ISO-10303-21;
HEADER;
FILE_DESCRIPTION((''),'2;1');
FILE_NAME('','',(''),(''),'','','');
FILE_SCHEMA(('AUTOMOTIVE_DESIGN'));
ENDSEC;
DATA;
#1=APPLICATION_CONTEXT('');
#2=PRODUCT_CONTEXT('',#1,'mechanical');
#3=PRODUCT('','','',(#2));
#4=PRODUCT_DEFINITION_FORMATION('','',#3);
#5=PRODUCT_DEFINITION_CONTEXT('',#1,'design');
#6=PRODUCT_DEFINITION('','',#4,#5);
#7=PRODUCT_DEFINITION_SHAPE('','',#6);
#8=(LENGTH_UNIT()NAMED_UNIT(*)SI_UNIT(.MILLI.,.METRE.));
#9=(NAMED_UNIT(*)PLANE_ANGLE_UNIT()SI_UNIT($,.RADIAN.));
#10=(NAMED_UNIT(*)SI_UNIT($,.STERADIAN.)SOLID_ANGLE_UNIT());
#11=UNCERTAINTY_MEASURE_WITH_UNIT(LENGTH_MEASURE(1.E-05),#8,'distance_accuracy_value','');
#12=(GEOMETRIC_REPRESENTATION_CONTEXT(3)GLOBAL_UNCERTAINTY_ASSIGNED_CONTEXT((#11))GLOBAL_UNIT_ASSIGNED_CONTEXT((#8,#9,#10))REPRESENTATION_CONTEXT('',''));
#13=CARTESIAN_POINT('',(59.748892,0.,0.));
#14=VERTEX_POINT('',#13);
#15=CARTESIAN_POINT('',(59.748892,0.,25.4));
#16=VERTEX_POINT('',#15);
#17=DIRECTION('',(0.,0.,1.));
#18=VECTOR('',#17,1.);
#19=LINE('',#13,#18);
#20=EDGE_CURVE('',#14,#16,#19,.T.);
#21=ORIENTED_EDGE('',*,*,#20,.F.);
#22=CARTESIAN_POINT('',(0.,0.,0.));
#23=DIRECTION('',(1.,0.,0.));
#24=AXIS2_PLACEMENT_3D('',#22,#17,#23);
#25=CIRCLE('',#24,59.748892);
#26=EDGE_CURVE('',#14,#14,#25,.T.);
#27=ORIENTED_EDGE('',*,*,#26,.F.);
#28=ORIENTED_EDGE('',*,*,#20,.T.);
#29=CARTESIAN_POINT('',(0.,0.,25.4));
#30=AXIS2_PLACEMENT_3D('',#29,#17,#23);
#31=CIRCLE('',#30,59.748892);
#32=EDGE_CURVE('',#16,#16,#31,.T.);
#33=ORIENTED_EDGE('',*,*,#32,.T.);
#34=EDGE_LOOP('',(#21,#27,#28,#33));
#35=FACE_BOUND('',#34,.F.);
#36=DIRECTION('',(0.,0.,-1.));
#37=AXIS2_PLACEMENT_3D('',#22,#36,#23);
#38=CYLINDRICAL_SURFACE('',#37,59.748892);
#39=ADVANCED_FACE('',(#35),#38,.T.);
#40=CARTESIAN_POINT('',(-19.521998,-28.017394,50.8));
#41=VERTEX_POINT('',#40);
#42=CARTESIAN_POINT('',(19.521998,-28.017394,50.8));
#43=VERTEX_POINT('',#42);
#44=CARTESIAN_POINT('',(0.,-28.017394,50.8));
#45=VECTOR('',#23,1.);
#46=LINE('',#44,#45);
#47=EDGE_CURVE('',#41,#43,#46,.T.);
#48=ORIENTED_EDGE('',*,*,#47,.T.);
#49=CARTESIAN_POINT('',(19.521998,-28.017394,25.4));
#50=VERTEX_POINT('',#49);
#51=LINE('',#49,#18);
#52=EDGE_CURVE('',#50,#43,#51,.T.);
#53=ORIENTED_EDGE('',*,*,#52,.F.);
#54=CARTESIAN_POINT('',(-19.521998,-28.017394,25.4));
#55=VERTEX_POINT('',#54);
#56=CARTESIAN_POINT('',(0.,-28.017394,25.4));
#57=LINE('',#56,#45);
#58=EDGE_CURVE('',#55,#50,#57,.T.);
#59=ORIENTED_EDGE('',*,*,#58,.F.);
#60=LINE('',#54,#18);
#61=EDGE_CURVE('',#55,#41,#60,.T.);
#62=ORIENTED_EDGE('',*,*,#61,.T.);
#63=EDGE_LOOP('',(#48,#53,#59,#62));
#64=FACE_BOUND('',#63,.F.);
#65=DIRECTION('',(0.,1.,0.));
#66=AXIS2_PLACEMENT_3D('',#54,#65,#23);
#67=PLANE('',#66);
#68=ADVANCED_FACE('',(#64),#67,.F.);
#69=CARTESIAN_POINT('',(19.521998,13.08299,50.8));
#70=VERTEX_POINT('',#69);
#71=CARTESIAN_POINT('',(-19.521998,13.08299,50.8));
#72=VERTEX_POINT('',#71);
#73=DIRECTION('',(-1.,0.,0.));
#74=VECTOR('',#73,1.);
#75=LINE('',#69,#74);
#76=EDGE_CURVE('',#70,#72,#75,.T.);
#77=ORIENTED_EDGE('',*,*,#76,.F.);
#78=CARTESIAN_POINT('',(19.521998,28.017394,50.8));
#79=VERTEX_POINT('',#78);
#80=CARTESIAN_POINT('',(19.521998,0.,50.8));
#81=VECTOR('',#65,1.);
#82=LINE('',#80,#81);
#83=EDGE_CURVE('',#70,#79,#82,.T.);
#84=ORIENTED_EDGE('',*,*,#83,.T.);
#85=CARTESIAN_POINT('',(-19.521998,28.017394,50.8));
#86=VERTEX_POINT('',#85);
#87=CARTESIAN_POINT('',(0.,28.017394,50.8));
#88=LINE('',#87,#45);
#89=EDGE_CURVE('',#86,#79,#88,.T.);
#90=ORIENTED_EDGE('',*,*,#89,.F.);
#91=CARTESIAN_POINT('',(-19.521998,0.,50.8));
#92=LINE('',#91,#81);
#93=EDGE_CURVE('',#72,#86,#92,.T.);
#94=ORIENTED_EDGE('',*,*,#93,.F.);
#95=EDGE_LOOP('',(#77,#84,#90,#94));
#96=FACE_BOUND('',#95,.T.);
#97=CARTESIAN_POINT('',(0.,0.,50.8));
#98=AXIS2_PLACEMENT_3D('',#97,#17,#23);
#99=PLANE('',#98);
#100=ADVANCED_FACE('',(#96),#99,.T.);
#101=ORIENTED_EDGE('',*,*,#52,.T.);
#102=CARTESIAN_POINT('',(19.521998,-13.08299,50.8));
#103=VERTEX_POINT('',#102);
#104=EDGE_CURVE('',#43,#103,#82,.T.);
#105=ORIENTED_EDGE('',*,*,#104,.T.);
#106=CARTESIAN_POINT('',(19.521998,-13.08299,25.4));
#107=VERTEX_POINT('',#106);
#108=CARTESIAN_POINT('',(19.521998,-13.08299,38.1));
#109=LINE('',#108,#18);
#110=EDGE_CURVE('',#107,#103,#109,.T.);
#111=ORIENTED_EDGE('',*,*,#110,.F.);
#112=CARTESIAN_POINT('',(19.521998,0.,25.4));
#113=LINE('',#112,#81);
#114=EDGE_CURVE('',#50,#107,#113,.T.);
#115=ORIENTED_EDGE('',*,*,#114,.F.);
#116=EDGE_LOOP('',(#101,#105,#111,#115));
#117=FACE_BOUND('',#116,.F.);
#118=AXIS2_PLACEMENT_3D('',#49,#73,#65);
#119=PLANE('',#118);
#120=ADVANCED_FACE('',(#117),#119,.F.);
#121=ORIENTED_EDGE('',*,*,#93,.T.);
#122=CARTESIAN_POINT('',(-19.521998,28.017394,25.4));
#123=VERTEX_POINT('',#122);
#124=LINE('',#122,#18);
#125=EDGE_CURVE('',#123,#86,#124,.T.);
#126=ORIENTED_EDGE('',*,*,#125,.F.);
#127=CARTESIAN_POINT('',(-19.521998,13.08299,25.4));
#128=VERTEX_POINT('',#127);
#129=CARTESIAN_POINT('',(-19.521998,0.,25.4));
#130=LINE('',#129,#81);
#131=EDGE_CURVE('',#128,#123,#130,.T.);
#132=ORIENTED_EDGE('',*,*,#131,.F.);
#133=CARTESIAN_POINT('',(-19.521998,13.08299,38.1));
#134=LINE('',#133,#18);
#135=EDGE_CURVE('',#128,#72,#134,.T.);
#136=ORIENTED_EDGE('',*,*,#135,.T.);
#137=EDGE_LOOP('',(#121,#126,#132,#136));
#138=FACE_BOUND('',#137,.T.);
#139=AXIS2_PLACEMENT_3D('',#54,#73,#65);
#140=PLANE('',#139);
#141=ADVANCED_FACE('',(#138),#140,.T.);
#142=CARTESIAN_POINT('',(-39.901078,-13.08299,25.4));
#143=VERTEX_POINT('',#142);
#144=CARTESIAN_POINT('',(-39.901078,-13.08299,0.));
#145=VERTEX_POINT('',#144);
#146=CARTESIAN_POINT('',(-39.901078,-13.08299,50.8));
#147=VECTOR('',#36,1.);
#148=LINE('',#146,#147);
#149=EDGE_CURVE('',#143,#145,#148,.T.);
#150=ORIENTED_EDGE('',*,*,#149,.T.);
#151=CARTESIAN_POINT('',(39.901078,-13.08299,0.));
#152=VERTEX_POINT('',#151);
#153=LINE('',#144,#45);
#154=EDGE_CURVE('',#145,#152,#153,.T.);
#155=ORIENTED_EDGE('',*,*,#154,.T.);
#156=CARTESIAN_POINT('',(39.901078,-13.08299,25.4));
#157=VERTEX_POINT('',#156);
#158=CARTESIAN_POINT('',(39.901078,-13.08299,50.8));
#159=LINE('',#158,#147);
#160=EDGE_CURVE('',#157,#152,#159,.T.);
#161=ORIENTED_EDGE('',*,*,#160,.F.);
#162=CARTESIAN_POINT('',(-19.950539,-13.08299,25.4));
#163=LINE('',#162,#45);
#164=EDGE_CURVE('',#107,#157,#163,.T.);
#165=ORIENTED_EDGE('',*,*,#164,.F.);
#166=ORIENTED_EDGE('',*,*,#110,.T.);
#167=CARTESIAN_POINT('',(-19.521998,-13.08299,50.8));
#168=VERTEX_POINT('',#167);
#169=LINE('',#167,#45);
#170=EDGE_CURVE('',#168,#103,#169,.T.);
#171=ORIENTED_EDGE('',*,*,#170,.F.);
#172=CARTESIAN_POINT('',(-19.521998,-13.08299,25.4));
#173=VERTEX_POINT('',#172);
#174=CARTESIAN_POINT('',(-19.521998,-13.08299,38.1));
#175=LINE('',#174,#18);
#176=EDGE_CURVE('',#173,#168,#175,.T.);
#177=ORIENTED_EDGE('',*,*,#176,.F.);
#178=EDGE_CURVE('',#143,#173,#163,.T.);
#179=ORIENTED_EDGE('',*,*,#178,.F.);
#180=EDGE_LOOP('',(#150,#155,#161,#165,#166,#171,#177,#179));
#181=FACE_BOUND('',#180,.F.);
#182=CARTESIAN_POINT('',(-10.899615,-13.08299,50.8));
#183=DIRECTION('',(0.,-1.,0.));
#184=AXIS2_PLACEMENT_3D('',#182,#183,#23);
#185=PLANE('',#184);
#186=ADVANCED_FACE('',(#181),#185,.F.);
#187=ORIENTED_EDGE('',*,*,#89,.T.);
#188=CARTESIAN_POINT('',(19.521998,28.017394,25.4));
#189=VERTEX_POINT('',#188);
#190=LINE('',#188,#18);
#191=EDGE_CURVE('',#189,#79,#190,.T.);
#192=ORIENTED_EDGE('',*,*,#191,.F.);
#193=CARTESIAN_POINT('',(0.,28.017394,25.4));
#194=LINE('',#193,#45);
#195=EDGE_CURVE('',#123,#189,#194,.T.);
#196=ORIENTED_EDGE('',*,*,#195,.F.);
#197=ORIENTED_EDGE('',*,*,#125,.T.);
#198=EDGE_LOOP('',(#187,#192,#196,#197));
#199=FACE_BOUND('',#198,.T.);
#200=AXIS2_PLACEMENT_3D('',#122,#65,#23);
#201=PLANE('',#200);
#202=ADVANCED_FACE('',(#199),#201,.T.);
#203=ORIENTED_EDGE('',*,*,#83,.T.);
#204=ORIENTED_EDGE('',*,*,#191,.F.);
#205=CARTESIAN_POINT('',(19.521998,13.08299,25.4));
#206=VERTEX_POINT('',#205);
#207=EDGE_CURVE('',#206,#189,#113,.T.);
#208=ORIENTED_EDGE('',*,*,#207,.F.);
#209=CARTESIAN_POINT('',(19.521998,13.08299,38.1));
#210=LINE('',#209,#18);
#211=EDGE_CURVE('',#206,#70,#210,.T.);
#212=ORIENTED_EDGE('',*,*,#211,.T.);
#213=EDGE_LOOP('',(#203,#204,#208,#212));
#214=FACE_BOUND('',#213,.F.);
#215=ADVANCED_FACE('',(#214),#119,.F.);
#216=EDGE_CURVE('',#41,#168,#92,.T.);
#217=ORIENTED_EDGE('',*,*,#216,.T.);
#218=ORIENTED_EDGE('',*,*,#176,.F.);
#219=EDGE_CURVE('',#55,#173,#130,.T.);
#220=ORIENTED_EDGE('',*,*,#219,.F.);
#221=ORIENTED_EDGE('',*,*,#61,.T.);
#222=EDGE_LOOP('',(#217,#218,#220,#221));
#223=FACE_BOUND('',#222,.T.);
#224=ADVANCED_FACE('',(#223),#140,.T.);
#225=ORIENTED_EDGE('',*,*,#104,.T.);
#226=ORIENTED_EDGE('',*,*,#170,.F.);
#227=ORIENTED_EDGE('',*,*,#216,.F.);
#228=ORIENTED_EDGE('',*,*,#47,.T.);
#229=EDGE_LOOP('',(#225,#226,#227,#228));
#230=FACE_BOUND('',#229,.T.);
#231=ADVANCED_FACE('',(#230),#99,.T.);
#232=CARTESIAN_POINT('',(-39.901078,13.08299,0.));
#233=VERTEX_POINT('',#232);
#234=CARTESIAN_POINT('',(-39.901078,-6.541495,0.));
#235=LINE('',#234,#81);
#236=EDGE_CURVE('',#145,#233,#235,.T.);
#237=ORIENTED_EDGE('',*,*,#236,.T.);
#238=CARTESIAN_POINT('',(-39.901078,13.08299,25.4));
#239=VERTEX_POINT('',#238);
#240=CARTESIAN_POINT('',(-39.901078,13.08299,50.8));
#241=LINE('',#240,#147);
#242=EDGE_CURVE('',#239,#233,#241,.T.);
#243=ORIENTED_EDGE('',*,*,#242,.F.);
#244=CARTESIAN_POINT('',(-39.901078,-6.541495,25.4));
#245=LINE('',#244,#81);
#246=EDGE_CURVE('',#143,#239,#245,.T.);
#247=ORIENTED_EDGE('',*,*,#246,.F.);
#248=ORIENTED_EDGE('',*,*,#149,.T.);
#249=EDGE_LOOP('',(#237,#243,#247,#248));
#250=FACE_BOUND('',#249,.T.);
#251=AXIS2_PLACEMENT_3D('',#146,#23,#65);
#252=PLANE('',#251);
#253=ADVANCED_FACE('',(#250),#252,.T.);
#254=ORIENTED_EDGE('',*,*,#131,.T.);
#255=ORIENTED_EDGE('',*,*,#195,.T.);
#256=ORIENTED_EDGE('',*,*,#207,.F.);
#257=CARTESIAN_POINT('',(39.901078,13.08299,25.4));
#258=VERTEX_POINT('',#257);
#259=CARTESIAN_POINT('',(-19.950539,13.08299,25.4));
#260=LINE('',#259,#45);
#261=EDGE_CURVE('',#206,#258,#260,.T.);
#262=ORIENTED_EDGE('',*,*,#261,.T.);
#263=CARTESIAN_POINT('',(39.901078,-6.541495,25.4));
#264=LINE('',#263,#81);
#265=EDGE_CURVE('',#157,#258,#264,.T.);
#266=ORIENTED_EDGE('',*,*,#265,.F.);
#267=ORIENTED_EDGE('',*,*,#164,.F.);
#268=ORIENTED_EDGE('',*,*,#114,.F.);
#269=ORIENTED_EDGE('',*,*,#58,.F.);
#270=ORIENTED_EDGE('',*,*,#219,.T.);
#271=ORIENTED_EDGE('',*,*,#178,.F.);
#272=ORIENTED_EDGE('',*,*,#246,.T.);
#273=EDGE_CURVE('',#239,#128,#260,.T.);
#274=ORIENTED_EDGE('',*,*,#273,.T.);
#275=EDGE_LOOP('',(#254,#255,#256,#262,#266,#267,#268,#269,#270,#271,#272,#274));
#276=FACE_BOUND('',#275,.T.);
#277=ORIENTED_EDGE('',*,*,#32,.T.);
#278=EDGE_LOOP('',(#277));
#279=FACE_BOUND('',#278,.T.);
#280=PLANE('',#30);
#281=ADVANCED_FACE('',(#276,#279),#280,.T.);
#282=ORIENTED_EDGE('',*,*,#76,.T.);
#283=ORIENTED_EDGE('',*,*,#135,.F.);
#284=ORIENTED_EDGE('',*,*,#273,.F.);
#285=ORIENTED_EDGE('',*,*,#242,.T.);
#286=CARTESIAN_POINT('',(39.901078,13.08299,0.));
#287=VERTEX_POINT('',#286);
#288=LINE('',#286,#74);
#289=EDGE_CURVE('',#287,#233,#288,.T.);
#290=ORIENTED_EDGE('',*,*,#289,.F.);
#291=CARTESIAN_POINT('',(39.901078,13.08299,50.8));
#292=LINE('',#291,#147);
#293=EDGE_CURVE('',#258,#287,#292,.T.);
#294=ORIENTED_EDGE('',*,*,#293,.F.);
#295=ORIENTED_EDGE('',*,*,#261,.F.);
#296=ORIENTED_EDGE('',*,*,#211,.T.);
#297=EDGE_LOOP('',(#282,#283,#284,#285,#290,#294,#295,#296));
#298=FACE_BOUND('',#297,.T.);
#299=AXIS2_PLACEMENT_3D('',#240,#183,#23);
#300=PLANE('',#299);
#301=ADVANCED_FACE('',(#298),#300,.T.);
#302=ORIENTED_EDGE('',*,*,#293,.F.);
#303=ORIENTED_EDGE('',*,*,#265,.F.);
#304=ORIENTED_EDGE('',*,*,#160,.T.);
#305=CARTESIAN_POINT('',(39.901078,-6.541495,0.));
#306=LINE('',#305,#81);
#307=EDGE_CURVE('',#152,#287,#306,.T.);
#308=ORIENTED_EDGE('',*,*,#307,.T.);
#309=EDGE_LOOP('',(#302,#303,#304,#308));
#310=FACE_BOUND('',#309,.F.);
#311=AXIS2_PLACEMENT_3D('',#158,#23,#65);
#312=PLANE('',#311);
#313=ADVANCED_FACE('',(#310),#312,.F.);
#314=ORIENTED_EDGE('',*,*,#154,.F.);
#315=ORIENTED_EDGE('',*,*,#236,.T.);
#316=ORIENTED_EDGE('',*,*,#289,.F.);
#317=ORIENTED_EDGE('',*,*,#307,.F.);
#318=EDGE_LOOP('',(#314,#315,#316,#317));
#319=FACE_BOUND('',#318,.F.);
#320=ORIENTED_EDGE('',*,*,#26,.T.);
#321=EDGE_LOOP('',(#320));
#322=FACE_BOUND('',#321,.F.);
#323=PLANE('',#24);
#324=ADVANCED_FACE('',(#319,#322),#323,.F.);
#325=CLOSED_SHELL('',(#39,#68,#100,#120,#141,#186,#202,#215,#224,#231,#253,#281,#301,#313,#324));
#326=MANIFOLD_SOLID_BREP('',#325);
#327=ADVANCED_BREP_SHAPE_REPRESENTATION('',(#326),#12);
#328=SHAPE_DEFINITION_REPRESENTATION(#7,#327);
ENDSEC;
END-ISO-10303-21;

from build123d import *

# Parameters (mm, degrees)
F0_R     = 59.748892
F1_DEPTH = 25.4
F2_W     = 39.043996
F2_H     = 56.034788
F3_DEPTH = 25.4
F4_W     = 21.79923
F4_H     = 26.16598
F5_DEPTH = 50.8
F6_W     = 79.802156
F6_H     = 26.16598
F7_DEPTH = 50.801


with BuildPart() as f1:
    # F0 (on Top) → F1 (new body)
    with BuildSketch(Plane.XY):
        Circle(F0_R)
    extrude(amount=F1_DEPTH)

    # F2 (on face) → F3 (join)
    with BuildSketch(Plane.XY.offset(25.4)):
        Rectangle(F2_W, F2_H)
    extrude(amount=F3_DEPTH)

    # F4 (on face) → F5 (cut, through all)
    with BuildSketch(Plane.XY.offset(50.8)):
        Rectangle(F4_W, F4_H)
    extrude(amount=-F5_DEPTH, mode=Mode.SUBTRACT)

    # F6 (on face) → F7 (cut, through all)
    with BuildSketch(Plane.XY.offset(50.8)):
        Rectangle(F6_W, F6_H)
    extrude(amount=-F7_DEPTH, mode=Mode.SUBTRACT)


solid = f1.part
